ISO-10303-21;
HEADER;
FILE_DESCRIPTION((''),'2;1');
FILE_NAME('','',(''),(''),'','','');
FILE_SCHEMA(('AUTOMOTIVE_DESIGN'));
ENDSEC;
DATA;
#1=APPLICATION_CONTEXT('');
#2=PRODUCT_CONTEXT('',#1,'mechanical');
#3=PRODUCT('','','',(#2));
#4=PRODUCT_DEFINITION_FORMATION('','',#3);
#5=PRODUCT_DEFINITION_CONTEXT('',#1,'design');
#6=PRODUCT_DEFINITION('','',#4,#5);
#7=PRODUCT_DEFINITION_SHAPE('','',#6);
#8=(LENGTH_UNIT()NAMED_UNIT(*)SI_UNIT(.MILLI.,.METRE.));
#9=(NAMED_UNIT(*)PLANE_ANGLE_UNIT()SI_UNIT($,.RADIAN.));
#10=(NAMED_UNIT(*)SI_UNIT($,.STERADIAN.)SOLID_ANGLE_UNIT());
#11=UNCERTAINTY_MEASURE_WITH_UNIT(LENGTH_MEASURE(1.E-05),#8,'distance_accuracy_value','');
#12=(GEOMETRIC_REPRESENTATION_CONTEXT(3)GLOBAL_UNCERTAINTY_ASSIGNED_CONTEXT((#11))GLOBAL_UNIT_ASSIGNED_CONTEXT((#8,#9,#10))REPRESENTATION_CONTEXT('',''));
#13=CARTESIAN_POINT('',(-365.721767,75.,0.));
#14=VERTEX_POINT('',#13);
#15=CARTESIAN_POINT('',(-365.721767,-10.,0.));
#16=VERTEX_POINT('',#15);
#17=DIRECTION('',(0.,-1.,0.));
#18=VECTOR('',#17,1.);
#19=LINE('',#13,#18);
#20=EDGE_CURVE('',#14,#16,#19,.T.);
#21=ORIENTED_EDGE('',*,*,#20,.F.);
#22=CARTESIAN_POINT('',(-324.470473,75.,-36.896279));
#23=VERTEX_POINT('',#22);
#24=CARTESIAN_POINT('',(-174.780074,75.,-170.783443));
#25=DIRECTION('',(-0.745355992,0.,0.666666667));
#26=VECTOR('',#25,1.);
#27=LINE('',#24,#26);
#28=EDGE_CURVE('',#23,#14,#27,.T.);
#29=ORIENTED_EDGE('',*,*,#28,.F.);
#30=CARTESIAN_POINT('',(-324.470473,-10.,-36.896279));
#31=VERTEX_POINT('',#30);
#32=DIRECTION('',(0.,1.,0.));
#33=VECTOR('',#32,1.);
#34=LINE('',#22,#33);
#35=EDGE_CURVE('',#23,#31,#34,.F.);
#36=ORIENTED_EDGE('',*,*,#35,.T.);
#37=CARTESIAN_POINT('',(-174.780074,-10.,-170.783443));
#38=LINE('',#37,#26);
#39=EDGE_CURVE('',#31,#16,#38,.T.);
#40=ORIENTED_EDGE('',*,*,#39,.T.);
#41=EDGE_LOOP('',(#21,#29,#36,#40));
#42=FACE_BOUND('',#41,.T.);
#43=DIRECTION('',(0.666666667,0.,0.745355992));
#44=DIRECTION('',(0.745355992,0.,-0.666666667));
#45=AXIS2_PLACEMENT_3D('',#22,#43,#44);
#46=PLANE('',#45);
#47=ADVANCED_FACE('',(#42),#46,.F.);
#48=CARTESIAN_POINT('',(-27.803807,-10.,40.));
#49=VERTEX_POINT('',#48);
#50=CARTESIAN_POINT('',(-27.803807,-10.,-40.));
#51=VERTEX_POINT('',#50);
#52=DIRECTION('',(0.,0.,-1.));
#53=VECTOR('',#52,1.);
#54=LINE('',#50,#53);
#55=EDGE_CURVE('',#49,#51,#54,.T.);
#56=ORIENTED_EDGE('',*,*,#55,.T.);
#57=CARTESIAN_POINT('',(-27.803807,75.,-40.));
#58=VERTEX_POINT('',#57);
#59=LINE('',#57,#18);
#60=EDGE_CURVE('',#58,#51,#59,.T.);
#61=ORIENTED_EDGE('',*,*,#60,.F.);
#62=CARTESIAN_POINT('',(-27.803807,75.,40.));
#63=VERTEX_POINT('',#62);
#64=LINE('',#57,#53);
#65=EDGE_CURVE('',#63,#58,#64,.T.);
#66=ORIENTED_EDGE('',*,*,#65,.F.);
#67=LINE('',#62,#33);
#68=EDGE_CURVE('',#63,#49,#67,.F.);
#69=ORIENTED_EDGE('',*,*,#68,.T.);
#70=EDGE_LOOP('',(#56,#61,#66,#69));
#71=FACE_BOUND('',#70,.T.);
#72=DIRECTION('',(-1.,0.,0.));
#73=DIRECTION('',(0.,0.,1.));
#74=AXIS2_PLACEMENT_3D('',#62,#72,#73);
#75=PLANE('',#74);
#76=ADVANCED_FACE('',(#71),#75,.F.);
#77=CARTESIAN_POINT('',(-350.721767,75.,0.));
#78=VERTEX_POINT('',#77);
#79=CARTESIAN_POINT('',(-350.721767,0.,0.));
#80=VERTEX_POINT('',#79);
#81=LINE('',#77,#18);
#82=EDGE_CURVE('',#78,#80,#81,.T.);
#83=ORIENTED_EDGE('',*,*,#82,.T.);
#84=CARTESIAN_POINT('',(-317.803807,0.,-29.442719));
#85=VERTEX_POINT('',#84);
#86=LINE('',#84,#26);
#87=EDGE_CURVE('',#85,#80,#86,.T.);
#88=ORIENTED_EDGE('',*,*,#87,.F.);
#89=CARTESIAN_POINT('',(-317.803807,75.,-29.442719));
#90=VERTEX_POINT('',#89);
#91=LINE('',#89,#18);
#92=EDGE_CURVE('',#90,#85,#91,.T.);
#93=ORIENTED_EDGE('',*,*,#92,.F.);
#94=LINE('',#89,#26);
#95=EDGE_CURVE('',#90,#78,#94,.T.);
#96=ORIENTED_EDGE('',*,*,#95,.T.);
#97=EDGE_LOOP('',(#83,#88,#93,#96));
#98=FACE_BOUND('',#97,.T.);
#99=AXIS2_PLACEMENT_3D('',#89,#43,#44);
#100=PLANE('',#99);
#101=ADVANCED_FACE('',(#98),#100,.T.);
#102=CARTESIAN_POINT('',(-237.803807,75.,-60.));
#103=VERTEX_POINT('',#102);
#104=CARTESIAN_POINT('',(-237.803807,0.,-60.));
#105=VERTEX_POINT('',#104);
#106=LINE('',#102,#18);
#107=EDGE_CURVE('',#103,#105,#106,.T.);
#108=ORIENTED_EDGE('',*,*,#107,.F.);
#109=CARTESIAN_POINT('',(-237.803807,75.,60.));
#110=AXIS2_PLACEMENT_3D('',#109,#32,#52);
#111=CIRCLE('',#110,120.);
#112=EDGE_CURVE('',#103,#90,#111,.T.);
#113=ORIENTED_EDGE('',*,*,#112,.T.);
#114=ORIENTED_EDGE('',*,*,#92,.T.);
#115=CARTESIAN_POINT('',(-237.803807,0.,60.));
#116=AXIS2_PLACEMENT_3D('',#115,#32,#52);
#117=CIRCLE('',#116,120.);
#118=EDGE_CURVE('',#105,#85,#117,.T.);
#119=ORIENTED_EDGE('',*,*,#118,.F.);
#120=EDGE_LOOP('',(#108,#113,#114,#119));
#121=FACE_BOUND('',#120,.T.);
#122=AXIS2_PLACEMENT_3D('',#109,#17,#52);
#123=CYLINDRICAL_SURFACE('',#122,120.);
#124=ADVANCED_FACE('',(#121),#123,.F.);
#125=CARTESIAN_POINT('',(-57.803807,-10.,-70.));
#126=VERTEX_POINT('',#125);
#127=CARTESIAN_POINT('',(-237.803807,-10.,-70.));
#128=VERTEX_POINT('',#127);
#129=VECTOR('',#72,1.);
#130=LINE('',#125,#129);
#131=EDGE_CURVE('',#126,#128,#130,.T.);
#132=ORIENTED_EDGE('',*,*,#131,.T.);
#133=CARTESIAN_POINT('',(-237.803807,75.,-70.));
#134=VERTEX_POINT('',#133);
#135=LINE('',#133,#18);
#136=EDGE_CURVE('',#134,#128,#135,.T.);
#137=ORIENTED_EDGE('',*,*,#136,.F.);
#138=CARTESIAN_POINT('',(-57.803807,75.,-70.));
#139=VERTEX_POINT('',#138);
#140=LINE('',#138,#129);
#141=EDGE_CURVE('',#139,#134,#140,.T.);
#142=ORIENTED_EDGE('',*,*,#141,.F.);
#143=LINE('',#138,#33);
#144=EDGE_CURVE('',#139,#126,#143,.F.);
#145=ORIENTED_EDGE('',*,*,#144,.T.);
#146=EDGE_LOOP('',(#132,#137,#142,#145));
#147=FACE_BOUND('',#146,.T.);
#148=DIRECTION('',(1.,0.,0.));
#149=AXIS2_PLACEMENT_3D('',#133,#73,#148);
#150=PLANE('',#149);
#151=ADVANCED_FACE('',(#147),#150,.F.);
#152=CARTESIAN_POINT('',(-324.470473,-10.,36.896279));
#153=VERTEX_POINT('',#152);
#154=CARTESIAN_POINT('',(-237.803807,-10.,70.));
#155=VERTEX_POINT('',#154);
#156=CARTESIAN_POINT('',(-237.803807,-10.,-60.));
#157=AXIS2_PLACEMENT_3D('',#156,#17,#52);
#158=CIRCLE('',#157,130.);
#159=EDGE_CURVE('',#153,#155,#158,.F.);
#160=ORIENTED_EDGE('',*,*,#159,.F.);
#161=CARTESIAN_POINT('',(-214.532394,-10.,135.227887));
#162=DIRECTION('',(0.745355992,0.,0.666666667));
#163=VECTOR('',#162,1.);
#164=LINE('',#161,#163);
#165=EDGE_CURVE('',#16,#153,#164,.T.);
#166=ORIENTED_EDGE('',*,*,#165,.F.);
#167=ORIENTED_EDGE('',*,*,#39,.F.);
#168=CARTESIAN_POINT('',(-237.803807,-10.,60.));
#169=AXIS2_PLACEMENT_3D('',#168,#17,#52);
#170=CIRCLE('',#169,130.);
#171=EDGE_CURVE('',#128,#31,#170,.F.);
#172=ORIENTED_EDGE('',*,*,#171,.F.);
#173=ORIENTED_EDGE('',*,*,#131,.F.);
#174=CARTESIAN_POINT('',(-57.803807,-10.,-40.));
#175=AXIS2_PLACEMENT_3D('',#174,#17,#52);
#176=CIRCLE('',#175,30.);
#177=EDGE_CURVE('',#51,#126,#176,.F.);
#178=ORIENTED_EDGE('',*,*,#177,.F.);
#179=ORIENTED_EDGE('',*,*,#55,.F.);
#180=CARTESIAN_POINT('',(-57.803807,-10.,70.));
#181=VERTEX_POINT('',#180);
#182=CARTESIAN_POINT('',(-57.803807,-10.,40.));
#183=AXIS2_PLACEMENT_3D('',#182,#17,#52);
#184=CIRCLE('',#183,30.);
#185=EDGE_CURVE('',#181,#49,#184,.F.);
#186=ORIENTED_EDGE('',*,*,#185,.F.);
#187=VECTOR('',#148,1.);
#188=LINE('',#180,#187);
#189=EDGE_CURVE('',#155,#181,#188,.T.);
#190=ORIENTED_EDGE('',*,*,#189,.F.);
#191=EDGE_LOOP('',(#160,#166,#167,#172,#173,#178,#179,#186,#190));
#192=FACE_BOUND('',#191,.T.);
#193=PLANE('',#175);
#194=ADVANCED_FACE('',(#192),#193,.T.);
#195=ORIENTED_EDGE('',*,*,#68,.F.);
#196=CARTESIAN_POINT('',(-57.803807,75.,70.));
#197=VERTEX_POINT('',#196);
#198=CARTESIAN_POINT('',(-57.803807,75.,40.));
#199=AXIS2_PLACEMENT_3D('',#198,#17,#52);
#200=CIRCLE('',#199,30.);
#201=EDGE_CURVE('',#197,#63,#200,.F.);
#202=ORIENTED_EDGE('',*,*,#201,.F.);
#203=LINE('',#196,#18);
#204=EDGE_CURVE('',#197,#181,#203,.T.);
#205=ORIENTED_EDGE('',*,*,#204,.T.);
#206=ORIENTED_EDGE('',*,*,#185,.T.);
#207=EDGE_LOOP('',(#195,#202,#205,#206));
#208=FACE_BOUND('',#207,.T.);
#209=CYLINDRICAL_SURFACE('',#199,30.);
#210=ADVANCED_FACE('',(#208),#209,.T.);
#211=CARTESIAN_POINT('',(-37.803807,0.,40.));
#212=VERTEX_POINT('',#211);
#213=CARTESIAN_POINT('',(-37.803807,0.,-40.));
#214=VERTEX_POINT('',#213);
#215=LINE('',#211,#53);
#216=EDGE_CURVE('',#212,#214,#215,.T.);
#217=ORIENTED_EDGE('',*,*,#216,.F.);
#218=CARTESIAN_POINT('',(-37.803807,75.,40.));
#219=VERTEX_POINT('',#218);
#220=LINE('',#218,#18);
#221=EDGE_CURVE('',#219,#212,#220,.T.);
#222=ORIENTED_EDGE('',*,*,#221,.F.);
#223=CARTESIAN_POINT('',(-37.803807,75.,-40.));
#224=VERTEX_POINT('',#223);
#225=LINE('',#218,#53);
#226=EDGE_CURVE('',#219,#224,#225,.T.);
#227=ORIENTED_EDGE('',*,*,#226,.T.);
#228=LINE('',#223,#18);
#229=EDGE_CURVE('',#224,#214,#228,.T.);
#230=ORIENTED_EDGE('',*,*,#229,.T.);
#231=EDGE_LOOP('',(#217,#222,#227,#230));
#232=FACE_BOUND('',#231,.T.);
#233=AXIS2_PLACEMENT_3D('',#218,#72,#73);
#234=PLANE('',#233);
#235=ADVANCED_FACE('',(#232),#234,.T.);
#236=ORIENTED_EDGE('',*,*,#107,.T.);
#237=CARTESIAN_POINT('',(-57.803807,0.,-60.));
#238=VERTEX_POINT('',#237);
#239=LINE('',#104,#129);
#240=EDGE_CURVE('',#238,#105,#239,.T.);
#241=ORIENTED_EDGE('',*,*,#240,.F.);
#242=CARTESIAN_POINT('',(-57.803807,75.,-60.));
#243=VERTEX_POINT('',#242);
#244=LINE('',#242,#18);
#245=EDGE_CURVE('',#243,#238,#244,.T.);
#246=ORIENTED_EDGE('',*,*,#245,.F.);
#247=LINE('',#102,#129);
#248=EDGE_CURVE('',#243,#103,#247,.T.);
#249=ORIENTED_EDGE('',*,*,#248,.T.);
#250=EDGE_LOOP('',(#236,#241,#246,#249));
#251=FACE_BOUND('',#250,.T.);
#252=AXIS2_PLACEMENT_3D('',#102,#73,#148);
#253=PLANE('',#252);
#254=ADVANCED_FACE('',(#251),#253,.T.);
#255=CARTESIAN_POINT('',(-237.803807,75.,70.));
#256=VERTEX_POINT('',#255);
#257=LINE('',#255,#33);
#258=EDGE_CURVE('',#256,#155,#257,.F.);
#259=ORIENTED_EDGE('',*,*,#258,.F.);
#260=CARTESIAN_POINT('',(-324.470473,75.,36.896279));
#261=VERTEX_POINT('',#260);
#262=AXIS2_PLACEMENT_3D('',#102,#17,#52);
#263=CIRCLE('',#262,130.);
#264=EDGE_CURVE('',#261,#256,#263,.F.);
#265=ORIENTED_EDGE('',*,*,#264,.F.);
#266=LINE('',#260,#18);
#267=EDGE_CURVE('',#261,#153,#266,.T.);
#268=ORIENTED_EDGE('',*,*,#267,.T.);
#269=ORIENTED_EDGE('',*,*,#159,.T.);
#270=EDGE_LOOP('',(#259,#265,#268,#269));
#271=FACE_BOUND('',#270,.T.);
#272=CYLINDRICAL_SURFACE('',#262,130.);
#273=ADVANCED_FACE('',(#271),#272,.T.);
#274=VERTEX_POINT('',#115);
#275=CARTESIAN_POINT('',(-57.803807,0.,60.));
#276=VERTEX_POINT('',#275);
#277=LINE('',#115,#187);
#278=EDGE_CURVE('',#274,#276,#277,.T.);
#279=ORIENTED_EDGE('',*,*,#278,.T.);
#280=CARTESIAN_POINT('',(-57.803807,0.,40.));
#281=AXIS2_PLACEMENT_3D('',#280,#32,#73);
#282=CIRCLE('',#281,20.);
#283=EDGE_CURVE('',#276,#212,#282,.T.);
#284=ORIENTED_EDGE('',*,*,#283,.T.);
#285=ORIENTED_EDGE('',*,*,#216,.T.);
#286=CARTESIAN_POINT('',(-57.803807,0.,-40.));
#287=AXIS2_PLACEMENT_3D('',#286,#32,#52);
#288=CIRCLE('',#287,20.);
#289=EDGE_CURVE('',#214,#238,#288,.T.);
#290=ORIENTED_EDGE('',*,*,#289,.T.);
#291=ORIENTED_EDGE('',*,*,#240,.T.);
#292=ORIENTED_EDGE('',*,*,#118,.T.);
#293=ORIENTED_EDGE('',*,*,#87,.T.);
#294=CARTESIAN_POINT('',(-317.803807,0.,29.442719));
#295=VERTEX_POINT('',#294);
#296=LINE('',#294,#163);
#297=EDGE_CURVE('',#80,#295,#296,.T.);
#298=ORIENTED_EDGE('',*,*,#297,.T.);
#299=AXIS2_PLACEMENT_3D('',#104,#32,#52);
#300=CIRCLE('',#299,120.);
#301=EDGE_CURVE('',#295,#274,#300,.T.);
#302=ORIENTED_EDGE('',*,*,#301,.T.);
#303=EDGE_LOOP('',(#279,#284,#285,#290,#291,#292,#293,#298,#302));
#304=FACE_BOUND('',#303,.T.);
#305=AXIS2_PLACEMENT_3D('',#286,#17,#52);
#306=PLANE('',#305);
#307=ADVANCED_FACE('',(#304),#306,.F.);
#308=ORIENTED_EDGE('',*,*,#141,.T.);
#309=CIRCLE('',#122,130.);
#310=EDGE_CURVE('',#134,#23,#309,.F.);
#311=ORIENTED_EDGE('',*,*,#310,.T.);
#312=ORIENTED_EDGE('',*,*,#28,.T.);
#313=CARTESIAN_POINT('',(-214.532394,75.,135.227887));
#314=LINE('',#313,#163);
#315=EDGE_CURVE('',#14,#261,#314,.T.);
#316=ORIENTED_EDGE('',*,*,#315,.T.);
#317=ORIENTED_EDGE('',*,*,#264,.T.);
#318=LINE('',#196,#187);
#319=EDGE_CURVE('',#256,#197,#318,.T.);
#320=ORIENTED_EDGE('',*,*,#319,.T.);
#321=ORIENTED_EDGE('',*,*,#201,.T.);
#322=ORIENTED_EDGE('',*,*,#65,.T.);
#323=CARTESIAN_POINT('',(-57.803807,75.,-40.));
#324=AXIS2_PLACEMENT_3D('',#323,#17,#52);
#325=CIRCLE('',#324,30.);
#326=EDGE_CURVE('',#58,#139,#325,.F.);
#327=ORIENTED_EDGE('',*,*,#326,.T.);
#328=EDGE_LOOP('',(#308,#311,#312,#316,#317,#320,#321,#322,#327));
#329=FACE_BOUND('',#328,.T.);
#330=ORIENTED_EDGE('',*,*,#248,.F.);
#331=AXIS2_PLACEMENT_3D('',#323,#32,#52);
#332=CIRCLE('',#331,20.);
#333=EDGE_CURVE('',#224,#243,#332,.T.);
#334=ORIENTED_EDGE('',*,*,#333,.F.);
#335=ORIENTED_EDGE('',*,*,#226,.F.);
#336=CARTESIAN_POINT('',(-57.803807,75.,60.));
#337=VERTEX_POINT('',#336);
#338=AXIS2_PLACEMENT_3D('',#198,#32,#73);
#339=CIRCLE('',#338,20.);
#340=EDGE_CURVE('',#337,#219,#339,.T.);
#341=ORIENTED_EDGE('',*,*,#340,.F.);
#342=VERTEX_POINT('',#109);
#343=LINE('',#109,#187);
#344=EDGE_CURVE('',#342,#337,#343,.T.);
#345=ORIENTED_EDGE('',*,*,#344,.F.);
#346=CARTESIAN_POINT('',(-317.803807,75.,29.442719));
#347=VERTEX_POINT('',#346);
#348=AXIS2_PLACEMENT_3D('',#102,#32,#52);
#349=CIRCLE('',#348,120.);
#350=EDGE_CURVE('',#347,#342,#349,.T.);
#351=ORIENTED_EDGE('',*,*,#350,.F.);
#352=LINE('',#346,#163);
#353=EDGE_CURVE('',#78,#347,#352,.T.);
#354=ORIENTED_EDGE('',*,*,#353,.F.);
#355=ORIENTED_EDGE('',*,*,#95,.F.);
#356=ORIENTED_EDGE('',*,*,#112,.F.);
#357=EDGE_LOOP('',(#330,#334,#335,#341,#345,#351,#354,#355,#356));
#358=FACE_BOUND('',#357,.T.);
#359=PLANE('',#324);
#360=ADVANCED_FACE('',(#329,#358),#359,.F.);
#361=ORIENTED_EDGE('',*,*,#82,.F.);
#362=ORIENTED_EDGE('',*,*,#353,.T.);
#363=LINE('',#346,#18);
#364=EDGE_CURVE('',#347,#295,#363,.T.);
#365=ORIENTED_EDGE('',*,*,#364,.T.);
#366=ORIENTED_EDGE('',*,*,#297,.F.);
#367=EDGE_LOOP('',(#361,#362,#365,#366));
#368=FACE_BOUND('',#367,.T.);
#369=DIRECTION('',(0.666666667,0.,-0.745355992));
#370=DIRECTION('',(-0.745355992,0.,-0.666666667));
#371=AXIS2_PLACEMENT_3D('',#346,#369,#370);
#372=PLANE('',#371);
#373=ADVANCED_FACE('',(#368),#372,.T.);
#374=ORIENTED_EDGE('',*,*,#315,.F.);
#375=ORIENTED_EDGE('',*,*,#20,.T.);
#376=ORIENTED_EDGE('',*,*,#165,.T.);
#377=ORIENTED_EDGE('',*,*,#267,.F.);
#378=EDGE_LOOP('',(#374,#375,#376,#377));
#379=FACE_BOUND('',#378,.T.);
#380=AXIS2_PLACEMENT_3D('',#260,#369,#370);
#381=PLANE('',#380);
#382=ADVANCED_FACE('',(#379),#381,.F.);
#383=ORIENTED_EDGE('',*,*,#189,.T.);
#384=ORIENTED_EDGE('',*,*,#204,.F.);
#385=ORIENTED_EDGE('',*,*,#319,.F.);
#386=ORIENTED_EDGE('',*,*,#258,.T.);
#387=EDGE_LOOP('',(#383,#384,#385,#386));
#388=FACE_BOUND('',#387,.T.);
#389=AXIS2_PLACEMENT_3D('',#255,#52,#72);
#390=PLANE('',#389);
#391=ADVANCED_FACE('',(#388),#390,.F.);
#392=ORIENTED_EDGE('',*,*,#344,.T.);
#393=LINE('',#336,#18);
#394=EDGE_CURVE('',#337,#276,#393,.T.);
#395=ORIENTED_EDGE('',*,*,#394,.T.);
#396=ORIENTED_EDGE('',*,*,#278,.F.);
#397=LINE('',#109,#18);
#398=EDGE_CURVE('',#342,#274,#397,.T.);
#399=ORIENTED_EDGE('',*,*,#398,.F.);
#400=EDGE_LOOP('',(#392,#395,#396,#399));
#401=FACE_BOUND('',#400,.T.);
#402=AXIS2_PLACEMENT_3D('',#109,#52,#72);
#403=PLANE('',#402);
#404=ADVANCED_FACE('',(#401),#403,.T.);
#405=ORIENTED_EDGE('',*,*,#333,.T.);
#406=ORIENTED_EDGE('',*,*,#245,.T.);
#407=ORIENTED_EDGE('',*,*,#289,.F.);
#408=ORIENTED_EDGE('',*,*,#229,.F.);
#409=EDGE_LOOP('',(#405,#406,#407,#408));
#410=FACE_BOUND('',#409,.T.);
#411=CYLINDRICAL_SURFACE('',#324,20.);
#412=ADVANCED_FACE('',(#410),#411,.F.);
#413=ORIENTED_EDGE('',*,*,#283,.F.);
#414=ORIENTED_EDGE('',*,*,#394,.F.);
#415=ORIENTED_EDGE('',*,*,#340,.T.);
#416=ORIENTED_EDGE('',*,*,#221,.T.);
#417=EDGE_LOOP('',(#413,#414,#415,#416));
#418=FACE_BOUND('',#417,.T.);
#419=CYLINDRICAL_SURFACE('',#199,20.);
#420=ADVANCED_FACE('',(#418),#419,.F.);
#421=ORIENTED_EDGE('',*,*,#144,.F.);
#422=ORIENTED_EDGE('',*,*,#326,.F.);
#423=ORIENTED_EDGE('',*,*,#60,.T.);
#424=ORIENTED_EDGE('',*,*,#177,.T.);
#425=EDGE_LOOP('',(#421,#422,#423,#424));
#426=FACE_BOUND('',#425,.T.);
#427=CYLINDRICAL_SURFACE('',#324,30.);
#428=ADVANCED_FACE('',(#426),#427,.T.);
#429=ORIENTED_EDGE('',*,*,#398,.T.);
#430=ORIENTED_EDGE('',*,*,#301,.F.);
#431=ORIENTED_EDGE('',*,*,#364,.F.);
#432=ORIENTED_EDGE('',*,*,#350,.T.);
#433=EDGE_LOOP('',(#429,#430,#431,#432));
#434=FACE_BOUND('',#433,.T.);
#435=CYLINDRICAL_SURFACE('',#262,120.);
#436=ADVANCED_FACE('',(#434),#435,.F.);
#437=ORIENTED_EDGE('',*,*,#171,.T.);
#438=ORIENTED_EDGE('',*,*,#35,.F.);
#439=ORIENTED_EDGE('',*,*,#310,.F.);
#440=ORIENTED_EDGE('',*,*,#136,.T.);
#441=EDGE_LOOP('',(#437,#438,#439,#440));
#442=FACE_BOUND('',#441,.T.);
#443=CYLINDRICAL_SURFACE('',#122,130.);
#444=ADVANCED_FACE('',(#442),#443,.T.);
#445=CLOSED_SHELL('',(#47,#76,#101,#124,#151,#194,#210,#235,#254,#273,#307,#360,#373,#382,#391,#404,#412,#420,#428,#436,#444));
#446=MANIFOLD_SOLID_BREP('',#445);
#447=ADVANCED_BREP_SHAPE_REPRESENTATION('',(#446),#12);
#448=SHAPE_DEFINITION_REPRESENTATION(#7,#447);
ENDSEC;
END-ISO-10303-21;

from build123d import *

# Parameters (mm, degrees)
BOSS_EXTRUDE1_DEPTH = 75
SHELL1_T            = 10


with BuildPart() as part:
    # Sketch1 → Boss-Extrude1 (new body)
    with BuildSketch(Plane(origin=(0, 0, 0), x_dir=(1, 0, 0), z_dir=(0, 1, 0))):
        with BuildLine():
            Line((-317.803806735, 29.4427191), (-350.72176741, 0))
            Line((-350.72176741, 0), (-317.803806735, -29.4427191))
            ThreePointArc((-317.803806735, -29.4427191), (-280.622457508, -52.100683076), (-237.803806735, -60))
            Line((-237.803806735, -60), (-57.803806735, -60))
            ThreePointArc((-57.803806735, -60), (-43.661671111, -54.142135624), (-37.803806735, -40))
            Line((-37.803806735, -40), (-37.803806735, 40))
            ThreePointArc((-37.803806735, 40), (-43.661671111, 54.142135624), (-57.803806735, 60))
            Line((-57.803806735, 60), (-237.803806735, 60))
            ThreePointArc((-237.803806735, 60), (-280.622457508, 52.100683076), (-317.803806735, 29.4427191))
        make_face()
    extrude(amount=BOSS_EXTRUDE1_DEPTH)

    # Shell1
    shell1_openings = [part.faces().sort_by_distance(p)[0] for p in [
        (-177.328233539, 75, 0),
    ]]
    offset(amount=SHELL1_T, openings=shell1_openings, kind=Kind.INTERSECTION)


solid = part.part
